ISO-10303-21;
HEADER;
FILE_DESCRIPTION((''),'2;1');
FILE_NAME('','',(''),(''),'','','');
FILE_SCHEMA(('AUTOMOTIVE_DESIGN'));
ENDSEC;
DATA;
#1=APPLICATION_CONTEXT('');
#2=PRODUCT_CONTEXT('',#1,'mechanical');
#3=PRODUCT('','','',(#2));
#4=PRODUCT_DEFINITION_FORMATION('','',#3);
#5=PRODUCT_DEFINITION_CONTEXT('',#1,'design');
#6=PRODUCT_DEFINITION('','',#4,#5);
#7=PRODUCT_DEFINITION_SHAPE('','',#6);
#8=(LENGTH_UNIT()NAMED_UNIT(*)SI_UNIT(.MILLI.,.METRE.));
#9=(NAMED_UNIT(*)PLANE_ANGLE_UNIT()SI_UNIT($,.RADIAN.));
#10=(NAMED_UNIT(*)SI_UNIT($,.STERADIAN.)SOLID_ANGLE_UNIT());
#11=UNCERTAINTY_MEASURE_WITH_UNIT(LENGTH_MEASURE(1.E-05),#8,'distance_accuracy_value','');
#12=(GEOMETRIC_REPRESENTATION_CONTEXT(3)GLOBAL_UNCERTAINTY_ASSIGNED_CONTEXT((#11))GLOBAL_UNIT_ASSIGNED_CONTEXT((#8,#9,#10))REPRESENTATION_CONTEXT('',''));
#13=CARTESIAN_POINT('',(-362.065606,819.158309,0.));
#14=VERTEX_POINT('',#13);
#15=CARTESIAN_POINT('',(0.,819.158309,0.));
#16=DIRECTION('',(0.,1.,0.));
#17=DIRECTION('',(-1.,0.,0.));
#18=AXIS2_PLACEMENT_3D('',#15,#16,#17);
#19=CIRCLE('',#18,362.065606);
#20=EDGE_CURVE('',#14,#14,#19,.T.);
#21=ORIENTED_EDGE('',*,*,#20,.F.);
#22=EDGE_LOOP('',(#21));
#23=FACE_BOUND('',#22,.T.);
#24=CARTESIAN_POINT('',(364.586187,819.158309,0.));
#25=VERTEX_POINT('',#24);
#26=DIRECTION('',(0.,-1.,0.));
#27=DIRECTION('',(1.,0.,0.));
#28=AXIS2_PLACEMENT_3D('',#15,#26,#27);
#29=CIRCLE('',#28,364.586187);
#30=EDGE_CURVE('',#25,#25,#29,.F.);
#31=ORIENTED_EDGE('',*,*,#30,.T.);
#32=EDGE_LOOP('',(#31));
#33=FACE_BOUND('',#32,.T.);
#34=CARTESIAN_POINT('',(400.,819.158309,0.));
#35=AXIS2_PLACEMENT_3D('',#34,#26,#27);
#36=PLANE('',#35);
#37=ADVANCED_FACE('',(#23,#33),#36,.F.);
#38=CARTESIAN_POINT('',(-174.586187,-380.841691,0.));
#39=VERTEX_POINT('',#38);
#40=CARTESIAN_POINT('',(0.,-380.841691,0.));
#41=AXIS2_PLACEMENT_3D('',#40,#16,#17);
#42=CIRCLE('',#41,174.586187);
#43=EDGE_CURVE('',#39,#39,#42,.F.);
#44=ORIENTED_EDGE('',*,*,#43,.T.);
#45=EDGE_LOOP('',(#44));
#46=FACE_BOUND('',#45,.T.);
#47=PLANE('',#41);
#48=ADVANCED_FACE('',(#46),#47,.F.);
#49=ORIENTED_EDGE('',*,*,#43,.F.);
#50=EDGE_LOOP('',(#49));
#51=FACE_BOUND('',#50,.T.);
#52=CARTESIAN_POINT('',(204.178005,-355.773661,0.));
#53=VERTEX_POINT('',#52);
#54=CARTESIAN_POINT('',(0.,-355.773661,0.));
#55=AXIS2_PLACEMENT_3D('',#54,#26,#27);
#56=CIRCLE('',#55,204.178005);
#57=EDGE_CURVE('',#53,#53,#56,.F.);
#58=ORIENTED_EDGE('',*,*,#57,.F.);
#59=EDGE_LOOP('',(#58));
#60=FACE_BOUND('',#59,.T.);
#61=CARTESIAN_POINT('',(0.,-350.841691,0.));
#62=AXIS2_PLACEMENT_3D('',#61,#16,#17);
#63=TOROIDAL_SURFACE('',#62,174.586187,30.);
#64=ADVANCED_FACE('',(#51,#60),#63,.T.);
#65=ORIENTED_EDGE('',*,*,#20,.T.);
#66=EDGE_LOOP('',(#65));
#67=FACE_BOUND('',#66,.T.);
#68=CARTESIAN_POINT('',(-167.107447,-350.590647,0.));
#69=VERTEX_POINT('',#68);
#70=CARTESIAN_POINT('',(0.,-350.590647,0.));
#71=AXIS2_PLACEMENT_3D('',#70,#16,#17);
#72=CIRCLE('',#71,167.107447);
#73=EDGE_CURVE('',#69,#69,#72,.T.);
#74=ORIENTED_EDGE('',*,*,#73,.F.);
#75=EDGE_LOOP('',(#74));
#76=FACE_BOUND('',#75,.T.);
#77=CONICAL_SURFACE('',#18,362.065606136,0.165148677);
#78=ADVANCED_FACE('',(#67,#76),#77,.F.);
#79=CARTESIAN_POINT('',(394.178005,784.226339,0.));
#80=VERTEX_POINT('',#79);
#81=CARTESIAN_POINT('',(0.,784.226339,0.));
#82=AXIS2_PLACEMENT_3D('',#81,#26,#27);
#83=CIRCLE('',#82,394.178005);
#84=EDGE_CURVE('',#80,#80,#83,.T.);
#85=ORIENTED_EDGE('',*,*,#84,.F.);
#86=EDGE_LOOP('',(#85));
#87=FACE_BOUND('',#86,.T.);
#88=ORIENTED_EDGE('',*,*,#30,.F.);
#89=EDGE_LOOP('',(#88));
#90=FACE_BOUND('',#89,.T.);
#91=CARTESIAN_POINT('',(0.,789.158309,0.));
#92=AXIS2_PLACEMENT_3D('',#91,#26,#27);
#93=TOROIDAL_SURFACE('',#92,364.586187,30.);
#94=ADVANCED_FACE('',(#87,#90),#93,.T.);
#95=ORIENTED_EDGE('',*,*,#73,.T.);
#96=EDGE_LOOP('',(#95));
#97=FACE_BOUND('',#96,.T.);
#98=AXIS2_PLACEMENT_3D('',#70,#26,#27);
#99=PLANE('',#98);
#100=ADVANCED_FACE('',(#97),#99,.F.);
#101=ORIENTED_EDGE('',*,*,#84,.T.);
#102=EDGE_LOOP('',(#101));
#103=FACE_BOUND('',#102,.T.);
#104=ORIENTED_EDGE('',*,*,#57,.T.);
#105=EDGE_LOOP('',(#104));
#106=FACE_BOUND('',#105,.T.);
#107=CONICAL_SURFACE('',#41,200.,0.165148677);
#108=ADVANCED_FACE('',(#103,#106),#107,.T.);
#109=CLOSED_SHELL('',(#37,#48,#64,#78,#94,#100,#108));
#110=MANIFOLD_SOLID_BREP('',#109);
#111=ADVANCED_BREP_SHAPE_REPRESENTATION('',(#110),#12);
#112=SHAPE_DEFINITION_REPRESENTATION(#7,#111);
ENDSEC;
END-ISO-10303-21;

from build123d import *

# Parameters (mm, degrees)
FILLET1_R = 30


with BuildPart() as part:
    # Sketch1 → Revolve1 (revolve)
    with BuildSketch(Plane.XY):
        Polygon((0, -350.590646864), (0, -380.841690926), (200, -380.841690926), (400, 819.158309074), (362.065606136, 819.158309074), (167.107446813, -350.590646864), align=None)
    revolve(axis=Axis((0, -350.590646864, 0), (0, -1, 0)))

    # Fillet1
    fillet1_edges = [part.edges().sort_by_distance(p)[0] for p in [
        (-200, -380.841690926, 0),
        (-400, 819.158309074, 0),
    ]]
    fillet(fillet1_edges, radius=FILLET1_R)


solid = part.part
